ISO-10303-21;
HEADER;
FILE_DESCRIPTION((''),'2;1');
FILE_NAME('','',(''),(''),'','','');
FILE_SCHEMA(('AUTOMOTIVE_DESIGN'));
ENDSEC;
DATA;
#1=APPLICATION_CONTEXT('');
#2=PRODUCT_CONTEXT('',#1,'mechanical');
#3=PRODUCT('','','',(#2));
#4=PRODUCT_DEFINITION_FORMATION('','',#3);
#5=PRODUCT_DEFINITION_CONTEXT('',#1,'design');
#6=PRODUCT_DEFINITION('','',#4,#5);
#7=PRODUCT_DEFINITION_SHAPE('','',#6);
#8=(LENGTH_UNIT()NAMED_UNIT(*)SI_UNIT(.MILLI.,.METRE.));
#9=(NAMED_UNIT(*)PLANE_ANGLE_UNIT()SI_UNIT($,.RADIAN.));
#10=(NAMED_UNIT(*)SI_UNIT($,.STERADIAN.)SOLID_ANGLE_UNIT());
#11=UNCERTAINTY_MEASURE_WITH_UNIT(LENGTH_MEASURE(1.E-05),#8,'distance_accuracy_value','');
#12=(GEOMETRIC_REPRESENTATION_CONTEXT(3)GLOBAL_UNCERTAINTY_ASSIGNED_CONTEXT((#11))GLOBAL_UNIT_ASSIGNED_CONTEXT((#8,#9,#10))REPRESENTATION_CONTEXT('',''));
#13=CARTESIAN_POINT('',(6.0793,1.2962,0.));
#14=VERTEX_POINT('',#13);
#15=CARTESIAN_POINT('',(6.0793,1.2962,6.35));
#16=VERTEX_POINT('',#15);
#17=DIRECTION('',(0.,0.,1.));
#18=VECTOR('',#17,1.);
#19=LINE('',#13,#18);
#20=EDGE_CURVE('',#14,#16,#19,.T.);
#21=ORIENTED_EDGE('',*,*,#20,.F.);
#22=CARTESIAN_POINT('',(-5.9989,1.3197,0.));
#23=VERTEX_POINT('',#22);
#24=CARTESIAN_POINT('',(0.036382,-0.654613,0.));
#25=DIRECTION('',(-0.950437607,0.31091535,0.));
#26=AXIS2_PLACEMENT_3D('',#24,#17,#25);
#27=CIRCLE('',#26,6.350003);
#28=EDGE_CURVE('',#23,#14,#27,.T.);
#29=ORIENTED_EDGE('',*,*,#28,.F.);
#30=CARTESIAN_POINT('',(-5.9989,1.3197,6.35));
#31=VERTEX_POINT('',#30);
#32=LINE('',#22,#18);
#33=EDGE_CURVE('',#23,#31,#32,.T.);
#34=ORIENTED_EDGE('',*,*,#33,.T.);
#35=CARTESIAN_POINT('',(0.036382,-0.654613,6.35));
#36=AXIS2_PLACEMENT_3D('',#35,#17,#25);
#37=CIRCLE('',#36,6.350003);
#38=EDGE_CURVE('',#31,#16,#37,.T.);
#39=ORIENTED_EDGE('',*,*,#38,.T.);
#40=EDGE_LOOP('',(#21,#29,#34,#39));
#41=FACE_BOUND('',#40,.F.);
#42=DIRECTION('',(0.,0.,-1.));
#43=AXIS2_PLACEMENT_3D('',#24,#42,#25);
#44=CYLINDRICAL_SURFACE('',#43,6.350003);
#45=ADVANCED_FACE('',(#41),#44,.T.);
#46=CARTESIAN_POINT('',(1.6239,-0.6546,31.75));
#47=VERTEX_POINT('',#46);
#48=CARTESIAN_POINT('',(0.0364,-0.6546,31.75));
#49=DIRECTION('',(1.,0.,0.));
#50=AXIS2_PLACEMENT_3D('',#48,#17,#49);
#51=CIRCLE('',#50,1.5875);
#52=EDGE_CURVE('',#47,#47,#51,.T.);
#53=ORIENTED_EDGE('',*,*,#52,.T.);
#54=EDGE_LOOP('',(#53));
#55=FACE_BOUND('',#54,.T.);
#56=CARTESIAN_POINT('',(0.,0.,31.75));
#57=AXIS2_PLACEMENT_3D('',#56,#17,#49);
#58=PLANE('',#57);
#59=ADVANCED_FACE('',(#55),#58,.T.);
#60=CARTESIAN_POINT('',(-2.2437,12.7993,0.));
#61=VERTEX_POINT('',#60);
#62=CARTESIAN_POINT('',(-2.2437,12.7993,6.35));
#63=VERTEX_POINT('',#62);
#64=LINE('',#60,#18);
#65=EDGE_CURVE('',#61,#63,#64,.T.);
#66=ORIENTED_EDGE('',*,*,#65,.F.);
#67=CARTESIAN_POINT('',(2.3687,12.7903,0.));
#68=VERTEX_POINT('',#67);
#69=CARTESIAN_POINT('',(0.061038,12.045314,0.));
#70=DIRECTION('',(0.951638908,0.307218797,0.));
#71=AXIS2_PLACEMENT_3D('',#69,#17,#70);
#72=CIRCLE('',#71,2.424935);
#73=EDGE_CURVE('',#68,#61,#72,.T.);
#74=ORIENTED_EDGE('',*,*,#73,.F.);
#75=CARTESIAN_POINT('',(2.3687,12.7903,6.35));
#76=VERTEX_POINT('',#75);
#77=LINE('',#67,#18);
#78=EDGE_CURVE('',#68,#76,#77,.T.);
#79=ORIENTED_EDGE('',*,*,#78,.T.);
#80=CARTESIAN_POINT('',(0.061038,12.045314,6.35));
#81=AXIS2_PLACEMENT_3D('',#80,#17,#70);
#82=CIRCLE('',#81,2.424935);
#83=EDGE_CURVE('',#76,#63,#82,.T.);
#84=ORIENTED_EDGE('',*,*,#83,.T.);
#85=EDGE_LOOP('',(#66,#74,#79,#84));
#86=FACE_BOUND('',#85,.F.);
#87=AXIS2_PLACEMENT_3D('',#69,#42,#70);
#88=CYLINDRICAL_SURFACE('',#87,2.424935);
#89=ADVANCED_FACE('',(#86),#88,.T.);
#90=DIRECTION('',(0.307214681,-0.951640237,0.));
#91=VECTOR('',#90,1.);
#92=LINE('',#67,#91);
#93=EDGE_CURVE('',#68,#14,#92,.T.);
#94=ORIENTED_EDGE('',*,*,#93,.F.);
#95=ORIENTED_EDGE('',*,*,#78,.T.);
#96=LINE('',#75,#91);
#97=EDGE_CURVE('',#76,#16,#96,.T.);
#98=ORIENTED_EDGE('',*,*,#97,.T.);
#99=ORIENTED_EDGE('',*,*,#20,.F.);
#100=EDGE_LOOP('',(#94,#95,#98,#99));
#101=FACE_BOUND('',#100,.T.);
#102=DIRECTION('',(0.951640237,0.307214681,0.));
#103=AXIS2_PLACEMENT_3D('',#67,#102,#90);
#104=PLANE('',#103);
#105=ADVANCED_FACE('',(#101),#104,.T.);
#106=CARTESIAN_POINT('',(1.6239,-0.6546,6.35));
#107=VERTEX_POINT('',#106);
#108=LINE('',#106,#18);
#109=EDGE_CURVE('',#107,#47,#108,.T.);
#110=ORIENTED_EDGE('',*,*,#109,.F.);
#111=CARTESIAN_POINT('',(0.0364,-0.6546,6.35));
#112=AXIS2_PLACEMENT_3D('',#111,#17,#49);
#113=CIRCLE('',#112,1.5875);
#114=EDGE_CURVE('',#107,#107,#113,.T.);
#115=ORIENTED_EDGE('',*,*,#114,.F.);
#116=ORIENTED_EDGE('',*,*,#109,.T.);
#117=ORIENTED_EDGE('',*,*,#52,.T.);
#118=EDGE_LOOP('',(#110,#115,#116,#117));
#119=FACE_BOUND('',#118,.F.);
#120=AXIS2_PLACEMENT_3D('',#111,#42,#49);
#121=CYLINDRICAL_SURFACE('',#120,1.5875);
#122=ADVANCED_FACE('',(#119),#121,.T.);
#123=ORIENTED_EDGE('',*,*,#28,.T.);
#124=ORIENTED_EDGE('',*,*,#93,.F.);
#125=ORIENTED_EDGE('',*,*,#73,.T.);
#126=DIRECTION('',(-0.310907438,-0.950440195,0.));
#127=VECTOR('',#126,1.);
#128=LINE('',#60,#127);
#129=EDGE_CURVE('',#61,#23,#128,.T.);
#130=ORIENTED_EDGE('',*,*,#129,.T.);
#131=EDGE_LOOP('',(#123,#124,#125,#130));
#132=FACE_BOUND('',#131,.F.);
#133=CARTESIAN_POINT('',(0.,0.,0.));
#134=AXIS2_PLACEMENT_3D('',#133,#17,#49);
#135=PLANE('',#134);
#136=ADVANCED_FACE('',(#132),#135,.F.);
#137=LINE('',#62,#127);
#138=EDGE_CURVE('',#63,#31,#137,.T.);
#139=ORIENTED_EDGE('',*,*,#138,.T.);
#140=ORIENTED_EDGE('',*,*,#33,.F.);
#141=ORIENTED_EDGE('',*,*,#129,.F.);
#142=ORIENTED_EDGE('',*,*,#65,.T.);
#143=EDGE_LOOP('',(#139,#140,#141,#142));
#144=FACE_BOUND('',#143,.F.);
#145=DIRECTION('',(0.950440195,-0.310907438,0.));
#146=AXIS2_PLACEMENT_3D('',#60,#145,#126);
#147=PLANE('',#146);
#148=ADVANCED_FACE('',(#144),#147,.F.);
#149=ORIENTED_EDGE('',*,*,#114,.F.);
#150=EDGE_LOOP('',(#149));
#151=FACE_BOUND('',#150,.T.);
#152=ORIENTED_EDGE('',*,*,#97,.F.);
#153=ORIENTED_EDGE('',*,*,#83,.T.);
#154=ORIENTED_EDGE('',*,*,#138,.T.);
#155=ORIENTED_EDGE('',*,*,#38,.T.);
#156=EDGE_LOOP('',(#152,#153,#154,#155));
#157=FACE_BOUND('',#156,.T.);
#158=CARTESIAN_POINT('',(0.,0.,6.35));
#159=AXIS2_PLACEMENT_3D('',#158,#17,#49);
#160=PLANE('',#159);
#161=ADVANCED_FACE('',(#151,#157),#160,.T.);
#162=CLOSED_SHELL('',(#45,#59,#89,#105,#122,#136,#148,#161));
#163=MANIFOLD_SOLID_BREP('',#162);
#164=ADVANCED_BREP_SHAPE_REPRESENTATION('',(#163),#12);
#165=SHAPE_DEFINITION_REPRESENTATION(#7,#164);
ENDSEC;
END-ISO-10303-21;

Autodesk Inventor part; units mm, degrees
ref_plane "YZ Plane" through (0, 0, 0) normal (1, 0, 0) x (0, 1, 0)
ref_plane "XZ Plane" through (0, 0, 0) normal (0, 1, 0) x (-1, 0, 0)
ref_plane "XY Plane" through (0, 0, 0) normal (0, 0, 1) x (1, 0, 0)
sketch "Sketch1" plane through (0, 0, 0) normal (0, 0, 1) x (1, 0, 0)
  arc A0 (-5.9989, 1.3197) -> (6.0793, 1.2962) centre (0.0364, -0.6546) ccw
  arc A1 (2.3687, 12.7903) -> (-2.2437, 12.7993) centre (0.0611, 12.0454) ccw
  line L0 (-2.2437, 12.7993) -> (-5.9989, 1.3197)
  line L1 (2.3687, 12.7903) -> (6.0793, 1.2962)
  dimension "d0" = 12.7
  dimension "d8" = 12.7
extrude "Extrusion1" add sketch "Sketch1" along normal blind 6.35
sketch "Sketch2" plane through (0, 0, 6.35) normal (0, 0, 1) x (1, 0, 0)
  arc A0 (-5.2619, 3.4373) -> (5.5303, 3.1215) centre (0.0364, -0.6546) ccw projected
  circle A1 centre (0.0364, -0.6546) radius 1.5875
  dimension "d4" = 3.175
extrude "Extrusion2" add sketch "Sketch2" along normal blind 25.4
properties part number "cam"
